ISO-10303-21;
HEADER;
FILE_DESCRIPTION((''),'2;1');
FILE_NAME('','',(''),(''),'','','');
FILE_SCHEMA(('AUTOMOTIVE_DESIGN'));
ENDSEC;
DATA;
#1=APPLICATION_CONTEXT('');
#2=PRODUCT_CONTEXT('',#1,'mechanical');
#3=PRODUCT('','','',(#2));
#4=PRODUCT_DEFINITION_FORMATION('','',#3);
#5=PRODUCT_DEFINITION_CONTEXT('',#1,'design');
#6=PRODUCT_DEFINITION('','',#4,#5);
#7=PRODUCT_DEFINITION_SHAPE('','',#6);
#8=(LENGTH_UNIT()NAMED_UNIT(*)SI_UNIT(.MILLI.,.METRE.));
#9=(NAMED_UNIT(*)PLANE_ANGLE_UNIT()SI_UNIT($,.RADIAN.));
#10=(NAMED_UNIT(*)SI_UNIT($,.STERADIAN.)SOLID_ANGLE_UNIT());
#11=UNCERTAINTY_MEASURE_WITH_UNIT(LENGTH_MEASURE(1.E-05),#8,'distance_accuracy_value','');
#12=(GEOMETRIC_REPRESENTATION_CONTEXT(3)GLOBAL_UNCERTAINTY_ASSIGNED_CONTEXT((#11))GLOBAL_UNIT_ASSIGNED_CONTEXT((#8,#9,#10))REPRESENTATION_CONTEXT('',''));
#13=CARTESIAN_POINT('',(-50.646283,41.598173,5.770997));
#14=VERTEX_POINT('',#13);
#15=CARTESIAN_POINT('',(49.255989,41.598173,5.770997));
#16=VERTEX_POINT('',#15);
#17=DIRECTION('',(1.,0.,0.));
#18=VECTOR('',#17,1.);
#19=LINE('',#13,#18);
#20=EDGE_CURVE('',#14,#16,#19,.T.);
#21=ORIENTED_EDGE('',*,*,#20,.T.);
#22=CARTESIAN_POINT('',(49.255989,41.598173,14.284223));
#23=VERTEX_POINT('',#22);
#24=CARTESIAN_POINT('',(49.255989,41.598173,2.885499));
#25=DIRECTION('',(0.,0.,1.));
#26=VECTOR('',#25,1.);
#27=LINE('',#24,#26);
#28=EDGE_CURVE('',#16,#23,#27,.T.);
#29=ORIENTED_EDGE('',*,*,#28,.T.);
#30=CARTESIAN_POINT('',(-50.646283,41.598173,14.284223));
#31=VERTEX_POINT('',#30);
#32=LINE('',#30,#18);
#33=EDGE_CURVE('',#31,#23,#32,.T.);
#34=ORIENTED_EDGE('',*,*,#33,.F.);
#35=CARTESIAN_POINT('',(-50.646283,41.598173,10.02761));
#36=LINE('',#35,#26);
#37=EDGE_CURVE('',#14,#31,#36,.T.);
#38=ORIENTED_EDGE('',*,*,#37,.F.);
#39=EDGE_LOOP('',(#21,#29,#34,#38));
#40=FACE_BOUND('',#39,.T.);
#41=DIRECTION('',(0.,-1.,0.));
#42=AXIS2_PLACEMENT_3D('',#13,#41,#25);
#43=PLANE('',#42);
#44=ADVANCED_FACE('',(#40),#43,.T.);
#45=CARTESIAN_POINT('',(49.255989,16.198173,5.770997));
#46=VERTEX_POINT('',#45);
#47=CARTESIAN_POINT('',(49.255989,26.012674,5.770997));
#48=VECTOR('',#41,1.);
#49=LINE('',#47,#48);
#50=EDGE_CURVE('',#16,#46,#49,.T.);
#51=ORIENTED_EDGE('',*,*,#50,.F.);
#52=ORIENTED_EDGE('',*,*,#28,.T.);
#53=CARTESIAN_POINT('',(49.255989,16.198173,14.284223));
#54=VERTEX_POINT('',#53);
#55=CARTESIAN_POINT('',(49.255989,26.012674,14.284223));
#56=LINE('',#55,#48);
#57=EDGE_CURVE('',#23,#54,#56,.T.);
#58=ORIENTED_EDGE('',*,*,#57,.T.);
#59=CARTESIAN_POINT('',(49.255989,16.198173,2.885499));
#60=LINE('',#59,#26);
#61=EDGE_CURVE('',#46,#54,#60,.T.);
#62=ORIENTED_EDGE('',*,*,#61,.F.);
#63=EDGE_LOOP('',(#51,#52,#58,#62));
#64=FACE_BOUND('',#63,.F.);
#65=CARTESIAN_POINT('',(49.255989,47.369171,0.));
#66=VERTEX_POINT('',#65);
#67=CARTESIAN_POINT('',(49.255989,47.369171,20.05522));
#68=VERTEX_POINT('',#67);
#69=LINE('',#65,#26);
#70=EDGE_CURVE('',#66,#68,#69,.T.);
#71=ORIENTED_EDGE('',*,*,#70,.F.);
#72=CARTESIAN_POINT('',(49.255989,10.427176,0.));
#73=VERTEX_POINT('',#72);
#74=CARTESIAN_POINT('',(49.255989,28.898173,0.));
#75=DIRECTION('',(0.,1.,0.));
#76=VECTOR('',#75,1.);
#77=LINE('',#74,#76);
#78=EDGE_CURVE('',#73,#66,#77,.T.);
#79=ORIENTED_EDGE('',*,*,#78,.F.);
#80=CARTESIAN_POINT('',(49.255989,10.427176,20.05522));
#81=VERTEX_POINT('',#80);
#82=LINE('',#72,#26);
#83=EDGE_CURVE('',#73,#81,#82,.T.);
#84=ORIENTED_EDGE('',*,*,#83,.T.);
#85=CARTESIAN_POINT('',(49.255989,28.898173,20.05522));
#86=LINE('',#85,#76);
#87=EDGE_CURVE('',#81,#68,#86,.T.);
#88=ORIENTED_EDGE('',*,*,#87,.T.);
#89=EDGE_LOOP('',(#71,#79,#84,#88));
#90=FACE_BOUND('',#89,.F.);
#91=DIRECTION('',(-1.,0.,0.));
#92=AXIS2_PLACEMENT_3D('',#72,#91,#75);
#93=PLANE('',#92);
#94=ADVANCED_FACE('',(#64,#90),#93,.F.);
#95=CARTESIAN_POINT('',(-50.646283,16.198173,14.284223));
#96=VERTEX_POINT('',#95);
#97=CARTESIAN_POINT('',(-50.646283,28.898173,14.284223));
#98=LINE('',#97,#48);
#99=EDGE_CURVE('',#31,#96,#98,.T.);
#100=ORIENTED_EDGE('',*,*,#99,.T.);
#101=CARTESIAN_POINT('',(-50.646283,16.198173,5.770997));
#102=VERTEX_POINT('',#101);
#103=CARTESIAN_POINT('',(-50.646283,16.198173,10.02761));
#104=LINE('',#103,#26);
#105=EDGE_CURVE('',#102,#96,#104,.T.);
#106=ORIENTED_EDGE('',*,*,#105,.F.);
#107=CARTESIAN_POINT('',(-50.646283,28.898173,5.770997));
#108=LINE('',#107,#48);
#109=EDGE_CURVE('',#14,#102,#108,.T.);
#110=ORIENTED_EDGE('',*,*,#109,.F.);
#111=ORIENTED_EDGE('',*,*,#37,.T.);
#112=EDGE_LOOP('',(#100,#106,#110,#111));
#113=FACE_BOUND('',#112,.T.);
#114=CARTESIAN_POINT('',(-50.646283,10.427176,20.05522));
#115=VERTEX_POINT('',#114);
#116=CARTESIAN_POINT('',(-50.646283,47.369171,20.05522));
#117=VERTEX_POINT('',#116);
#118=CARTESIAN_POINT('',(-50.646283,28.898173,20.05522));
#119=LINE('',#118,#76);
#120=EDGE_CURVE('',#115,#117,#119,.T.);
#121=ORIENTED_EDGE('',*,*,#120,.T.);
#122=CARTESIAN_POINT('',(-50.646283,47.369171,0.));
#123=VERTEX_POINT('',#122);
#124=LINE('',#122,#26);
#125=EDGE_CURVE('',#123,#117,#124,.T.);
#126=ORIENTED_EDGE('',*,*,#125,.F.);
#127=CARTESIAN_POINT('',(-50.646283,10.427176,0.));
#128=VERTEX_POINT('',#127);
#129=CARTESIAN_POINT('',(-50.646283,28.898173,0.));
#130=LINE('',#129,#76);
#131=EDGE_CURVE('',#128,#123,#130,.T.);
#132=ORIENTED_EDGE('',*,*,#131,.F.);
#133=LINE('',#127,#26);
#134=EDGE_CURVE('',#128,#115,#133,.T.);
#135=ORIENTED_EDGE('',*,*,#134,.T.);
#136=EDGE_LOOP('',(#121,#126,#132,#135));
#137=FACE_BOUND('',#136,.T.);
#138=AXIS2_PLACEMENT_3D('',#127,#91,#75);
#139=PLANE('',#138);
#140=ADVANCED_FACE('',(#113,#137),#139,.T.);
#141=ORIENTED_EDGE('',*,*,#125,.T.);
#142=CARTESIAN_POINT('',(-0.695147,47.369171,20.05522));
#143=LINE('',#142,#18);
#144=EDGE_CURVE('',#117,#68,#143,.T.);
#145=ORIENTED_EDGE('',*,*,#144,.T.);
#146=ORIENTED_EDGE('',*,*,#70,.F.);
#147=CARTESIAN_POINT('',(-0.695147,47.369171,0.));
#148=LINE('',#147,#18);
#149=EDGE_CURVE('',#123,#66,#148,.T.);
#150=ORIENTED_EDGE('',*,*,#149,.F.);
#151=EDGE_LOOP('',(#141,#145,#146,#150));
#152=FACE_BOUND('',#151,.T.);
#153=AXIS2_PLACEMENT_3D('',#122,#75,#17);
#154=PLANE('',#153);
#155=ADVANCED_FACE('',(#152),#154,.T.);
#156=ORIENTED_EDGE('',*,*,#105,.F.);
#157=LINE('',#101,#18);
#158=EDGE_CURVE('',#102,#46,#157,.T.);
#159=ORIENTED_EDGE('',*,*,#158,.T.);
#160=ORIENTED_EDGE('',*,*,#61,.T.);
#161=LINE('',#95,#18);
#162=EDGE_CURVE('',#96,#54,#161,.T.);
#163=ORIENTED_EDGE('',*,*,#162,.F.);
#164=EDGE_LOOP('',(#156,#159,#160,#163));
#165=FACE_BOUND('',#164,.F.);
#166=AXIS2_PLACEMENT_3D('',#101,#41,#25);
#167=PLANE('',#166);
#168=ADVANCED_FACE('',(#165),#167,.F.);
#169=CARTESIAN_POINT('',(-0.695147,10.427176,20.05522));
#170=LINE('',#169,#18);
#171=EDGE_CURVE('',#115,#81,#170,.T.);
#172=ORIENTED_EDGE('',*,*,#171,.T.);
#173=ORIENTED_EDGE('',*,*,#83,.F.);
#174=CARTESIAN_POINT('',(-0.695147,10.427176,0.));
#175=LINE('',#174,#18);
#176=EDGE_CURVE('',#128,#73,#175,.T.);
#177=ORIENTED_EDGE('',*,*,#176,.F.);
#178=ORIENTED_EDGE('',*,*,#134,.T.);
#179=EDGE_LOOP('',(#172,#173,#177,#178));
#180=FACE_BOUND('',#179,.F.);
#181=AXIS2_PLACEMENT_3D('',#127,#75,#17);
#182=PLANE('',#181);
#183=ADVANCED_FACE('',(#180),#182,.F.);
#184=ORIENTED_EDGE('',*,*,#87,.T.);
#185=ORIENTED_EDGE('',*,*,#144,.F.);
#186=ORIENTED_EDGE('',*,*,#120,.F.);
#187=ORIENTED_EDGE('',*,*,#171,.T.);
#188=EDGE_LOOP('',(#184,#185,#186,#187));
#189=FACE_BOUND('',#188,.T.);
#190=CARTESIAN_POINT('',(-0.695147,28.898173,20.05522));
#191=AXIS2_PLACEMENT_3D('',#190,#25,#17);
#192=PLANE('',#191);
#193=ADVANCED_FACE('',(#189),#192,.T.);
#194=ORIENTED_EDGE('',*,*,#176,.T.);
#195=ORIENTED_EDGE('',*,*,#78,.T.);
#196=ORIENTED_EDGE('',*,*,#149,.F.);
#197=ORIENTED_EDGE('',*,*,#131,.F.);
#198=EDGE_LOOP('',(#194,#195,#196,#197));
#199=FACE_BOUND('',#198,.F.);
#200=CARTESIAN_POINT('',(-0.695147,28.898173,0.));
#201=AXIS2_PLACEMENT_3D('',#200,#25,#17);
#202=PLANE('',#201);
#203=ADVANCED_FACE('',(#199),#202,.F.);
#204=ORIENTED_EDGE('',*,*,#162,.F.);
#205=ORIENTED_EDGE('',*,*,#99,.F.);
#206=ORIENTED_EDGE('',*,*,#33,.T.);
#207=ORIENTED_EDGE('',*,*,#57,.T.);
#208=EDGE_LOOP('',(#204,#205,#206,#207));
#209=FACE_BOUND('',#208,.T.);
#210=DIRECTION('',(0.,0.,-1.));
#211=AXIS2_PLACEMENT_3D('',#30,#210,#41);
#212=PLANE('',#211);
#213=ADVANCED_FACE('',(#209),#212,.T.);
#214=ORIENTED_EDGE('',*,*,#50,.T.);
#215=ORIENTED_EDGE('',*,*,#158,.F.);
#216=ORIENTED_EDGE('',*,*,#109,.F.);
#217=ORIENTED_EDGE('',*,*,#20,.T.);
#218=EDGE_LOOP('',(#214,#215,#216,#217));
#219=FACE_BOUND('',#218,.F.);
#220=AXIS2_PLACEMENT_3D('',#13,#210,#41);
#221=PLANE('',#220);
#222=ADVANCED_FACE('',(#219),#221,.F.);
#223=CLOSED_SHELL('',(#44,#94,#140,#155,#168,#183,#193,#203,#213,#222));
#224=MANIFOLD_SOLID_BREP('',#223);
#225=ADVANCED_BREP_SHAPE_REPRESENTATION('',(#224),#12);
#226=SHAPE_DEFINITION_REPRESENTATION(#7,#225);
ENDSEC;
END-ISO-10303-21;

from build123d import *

# Parameters (mm, degrees)
F0_W     = 99.902272
F0_H     = 36.941995
F1_DEPTH = 20.05522
F2_W     = 25.4
F2_H     = 8.513226
F3_DEPTH = 99.903272


with BuildPart() as f1:
    # F0 (on Top) → F1 (new body)
    with BuildSketch(Plane.XY):
        with Locations((-0.695147, 28.898173)):
            Rectangle(F0_W, F0_H)
    extrude(amount=F1_DEPTH)

    # F2 (on face) → F3 (cut, through all)
    with BuildSketch(Plane(origin=(-50.646283, 0, 0), x_dir=(0, -1, 0), z_dir=(-1, 0, 0))):
        with Locations((-28.898173, 10.02761)):
            Rectangle(F2_W, F2_H)
    extrude(amount=-F3_DEPTH, mode=Mode.SUBTRACT)


solid = f1.part
